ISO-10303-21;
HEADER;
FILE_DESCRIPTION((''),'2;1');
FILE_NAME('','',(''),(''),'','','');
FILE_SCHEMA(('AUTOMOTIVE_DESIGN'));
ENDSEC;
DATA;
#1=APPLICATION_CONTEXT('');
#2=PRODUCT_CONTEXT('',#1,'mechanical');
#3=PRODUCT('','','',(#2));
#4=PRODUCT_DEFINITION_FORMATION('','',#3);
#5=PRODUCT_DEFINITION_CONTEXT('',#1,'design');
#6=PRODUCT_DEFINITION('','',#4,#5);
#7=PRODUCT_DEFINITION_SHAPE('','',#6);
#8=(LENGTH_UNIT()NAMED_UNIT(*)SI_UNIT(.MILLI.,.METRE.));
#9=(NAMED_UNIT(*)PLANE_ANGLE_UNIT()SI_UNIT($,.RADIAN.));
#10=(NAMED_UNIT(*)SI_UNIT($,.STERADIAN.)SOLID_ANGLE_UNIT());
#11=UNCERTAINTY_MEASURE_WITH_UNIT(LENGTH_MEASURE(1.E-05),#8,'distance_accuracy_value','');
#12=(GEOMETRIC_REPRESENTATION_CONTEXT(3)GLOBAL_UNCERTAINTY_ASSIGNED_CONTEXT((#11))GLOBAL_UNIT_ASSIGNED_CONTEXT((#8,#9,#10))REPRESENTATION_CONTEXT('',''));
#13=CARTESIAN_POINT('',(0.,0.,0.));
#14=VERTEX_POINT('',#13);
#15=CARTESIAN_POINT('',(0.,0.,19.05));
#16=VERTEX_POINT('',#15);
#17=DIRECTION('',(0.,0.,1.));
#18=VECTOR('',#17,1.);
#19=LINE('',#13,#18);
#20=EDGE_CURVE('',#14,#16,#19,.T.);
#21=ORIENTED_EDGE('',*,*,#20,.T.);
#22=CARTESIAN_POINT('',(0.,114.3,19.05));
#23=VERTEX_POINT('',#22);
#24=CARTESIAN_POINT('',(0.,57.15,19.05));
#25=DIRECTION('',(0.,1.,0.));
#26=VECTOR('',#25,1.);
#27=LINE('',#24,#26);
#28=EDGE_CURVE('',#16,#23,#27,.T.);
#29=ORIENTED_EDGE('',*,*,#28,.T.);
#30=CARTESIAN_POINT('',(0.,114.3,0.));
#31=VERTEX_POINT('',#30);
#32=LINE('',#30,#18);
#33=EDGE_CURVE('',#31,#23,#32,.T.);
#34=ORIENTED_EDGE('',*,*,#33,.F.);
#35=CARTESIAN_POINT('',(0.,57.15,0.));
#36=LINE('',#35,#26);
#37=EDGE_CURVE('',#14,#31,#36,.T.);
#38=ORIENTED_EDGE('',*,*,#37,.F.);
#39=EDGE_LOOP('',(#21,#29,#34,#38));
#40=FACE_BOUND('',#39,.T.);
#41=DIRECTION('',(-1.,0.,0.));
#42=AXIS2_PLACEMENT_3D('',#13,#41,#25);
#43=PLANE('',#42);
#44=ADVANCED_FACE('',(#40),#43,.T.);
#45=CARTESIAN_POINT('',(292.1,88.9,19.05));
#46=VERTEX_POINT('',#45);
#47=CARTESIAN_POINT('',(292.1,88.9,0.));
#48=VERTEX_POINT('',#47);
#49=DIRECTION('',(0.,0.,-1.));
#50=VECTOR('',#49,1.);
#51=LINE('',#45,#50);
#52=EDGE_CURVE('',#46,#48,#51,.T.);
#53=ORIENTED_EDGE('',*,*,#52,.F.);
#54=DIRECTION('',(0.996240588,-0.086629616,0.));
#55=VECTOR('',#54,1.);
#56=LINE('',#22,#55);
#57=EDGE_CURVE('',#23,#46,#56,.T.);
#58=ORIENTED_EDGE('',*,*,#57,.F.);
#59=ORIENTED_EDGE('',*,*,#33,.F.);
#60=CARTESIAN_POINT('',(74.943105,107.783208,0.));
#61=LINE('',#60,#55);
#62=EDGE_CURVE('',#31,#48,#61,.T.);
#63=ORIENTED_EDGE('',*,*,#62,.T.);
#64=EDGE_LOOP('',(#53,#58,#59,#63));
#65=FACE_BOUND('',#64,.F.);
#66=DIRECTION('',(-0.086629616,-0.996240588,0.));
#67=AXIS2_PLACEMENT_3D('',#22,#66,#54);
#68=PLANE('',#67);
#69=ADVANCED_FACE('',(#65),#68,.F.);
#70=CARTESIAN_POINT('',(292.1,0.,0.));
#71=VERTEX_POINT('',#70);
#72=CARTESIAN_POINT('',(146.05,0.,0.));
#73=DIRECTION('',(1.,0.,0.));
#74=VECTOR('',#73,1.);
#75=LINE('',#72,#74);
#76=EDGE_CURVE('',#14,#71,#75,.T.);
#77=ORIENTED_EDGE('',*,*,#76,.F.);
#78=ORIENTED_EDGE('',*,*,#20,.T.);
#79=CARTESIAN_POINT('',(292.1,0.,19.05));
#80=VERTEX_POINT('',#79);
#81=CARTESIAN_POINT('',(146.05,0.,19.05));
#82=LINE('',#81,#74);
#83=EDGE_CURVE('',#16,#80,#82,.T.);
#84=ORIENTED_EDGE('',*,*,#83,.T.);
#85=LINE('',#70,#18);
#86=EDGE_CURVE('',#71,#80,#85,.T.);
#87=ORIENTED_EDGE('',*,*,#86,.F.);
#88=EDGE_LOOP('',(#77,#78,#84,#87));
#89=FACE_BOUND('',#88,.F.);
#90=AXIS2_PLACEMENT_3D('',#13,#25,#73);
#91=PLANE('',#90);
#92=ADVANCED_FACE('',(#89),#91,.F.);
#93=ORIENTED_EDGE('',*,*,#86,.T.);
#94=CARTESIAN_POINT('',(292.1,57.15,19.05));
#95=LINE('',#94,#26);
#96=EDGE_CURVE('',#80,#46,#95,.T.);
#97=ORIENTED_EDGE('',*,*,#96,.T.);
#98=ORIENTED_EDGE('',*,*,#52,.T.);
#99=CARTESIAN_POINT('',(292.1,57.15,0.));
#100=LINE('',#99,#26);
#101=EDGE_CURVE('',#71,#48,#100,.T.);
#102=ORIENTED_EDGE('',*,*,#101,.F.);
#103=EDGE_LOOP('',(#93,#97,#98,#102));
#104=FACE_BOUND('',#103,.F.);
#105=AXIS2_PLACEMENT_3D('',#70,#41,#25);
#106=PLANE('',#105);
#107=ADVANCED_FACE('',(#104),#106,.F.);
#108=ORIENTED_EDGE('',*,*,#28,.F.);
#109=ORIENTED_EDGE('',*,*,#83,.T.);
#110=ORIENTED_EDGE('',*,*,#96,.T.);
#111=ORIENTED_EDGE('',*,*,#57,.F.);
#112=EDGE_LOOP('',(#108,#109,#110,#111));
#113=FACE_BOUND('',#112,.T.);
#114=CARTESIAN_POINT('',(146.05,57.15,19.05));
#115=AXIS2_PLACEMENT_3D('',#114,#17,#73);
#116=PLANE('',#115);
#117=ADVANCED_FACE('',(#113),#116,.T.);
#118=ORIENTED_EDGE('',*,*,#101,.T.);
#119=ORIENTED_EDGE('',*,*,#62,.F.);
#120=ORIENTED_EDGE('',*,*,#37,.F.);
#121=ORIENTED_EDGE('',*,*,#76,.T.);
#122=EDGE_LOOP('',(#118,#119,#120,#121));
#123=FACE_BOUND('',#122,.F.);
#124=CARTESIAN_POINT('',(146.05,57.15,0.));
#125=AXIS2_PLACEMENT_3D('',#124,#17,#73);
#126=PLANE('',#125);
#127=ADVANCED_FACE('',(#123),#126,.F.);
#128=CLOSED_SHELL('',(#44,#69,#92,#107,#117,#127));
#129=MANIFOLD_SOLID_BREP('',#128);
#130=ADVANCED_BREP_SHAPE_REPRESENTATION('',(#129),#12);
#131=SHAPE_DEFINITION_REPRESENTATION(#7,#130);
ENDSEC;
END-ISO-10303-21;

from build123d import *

# Parameters (mm, degrees)
F0_W     = 292.1
F0_H     = 114.3
F1_DEPTH = 19.05
F3_DEPTH = 25.4


with BuildPart() as f1:
    # F0 (on Top) → F1 (new body)
    with BuildSketch(Plane.XY):
        with Locations((146.05, 57.15)):
            Rectangle(F0_W, F0_H)
    extrude(amount=F1_DEPTH)

    # F2 (on face) → F3 (cut)
    with BuildSketch(Plane.XY.offset(19.05)):
        Polygon((292.1, 114.3), (0, 114.3), (292.1, 88.9), align=None)
    extrude(amount=-F3_DEPTH, mode=Mode.SUBTRACT)


solid = f1.part
